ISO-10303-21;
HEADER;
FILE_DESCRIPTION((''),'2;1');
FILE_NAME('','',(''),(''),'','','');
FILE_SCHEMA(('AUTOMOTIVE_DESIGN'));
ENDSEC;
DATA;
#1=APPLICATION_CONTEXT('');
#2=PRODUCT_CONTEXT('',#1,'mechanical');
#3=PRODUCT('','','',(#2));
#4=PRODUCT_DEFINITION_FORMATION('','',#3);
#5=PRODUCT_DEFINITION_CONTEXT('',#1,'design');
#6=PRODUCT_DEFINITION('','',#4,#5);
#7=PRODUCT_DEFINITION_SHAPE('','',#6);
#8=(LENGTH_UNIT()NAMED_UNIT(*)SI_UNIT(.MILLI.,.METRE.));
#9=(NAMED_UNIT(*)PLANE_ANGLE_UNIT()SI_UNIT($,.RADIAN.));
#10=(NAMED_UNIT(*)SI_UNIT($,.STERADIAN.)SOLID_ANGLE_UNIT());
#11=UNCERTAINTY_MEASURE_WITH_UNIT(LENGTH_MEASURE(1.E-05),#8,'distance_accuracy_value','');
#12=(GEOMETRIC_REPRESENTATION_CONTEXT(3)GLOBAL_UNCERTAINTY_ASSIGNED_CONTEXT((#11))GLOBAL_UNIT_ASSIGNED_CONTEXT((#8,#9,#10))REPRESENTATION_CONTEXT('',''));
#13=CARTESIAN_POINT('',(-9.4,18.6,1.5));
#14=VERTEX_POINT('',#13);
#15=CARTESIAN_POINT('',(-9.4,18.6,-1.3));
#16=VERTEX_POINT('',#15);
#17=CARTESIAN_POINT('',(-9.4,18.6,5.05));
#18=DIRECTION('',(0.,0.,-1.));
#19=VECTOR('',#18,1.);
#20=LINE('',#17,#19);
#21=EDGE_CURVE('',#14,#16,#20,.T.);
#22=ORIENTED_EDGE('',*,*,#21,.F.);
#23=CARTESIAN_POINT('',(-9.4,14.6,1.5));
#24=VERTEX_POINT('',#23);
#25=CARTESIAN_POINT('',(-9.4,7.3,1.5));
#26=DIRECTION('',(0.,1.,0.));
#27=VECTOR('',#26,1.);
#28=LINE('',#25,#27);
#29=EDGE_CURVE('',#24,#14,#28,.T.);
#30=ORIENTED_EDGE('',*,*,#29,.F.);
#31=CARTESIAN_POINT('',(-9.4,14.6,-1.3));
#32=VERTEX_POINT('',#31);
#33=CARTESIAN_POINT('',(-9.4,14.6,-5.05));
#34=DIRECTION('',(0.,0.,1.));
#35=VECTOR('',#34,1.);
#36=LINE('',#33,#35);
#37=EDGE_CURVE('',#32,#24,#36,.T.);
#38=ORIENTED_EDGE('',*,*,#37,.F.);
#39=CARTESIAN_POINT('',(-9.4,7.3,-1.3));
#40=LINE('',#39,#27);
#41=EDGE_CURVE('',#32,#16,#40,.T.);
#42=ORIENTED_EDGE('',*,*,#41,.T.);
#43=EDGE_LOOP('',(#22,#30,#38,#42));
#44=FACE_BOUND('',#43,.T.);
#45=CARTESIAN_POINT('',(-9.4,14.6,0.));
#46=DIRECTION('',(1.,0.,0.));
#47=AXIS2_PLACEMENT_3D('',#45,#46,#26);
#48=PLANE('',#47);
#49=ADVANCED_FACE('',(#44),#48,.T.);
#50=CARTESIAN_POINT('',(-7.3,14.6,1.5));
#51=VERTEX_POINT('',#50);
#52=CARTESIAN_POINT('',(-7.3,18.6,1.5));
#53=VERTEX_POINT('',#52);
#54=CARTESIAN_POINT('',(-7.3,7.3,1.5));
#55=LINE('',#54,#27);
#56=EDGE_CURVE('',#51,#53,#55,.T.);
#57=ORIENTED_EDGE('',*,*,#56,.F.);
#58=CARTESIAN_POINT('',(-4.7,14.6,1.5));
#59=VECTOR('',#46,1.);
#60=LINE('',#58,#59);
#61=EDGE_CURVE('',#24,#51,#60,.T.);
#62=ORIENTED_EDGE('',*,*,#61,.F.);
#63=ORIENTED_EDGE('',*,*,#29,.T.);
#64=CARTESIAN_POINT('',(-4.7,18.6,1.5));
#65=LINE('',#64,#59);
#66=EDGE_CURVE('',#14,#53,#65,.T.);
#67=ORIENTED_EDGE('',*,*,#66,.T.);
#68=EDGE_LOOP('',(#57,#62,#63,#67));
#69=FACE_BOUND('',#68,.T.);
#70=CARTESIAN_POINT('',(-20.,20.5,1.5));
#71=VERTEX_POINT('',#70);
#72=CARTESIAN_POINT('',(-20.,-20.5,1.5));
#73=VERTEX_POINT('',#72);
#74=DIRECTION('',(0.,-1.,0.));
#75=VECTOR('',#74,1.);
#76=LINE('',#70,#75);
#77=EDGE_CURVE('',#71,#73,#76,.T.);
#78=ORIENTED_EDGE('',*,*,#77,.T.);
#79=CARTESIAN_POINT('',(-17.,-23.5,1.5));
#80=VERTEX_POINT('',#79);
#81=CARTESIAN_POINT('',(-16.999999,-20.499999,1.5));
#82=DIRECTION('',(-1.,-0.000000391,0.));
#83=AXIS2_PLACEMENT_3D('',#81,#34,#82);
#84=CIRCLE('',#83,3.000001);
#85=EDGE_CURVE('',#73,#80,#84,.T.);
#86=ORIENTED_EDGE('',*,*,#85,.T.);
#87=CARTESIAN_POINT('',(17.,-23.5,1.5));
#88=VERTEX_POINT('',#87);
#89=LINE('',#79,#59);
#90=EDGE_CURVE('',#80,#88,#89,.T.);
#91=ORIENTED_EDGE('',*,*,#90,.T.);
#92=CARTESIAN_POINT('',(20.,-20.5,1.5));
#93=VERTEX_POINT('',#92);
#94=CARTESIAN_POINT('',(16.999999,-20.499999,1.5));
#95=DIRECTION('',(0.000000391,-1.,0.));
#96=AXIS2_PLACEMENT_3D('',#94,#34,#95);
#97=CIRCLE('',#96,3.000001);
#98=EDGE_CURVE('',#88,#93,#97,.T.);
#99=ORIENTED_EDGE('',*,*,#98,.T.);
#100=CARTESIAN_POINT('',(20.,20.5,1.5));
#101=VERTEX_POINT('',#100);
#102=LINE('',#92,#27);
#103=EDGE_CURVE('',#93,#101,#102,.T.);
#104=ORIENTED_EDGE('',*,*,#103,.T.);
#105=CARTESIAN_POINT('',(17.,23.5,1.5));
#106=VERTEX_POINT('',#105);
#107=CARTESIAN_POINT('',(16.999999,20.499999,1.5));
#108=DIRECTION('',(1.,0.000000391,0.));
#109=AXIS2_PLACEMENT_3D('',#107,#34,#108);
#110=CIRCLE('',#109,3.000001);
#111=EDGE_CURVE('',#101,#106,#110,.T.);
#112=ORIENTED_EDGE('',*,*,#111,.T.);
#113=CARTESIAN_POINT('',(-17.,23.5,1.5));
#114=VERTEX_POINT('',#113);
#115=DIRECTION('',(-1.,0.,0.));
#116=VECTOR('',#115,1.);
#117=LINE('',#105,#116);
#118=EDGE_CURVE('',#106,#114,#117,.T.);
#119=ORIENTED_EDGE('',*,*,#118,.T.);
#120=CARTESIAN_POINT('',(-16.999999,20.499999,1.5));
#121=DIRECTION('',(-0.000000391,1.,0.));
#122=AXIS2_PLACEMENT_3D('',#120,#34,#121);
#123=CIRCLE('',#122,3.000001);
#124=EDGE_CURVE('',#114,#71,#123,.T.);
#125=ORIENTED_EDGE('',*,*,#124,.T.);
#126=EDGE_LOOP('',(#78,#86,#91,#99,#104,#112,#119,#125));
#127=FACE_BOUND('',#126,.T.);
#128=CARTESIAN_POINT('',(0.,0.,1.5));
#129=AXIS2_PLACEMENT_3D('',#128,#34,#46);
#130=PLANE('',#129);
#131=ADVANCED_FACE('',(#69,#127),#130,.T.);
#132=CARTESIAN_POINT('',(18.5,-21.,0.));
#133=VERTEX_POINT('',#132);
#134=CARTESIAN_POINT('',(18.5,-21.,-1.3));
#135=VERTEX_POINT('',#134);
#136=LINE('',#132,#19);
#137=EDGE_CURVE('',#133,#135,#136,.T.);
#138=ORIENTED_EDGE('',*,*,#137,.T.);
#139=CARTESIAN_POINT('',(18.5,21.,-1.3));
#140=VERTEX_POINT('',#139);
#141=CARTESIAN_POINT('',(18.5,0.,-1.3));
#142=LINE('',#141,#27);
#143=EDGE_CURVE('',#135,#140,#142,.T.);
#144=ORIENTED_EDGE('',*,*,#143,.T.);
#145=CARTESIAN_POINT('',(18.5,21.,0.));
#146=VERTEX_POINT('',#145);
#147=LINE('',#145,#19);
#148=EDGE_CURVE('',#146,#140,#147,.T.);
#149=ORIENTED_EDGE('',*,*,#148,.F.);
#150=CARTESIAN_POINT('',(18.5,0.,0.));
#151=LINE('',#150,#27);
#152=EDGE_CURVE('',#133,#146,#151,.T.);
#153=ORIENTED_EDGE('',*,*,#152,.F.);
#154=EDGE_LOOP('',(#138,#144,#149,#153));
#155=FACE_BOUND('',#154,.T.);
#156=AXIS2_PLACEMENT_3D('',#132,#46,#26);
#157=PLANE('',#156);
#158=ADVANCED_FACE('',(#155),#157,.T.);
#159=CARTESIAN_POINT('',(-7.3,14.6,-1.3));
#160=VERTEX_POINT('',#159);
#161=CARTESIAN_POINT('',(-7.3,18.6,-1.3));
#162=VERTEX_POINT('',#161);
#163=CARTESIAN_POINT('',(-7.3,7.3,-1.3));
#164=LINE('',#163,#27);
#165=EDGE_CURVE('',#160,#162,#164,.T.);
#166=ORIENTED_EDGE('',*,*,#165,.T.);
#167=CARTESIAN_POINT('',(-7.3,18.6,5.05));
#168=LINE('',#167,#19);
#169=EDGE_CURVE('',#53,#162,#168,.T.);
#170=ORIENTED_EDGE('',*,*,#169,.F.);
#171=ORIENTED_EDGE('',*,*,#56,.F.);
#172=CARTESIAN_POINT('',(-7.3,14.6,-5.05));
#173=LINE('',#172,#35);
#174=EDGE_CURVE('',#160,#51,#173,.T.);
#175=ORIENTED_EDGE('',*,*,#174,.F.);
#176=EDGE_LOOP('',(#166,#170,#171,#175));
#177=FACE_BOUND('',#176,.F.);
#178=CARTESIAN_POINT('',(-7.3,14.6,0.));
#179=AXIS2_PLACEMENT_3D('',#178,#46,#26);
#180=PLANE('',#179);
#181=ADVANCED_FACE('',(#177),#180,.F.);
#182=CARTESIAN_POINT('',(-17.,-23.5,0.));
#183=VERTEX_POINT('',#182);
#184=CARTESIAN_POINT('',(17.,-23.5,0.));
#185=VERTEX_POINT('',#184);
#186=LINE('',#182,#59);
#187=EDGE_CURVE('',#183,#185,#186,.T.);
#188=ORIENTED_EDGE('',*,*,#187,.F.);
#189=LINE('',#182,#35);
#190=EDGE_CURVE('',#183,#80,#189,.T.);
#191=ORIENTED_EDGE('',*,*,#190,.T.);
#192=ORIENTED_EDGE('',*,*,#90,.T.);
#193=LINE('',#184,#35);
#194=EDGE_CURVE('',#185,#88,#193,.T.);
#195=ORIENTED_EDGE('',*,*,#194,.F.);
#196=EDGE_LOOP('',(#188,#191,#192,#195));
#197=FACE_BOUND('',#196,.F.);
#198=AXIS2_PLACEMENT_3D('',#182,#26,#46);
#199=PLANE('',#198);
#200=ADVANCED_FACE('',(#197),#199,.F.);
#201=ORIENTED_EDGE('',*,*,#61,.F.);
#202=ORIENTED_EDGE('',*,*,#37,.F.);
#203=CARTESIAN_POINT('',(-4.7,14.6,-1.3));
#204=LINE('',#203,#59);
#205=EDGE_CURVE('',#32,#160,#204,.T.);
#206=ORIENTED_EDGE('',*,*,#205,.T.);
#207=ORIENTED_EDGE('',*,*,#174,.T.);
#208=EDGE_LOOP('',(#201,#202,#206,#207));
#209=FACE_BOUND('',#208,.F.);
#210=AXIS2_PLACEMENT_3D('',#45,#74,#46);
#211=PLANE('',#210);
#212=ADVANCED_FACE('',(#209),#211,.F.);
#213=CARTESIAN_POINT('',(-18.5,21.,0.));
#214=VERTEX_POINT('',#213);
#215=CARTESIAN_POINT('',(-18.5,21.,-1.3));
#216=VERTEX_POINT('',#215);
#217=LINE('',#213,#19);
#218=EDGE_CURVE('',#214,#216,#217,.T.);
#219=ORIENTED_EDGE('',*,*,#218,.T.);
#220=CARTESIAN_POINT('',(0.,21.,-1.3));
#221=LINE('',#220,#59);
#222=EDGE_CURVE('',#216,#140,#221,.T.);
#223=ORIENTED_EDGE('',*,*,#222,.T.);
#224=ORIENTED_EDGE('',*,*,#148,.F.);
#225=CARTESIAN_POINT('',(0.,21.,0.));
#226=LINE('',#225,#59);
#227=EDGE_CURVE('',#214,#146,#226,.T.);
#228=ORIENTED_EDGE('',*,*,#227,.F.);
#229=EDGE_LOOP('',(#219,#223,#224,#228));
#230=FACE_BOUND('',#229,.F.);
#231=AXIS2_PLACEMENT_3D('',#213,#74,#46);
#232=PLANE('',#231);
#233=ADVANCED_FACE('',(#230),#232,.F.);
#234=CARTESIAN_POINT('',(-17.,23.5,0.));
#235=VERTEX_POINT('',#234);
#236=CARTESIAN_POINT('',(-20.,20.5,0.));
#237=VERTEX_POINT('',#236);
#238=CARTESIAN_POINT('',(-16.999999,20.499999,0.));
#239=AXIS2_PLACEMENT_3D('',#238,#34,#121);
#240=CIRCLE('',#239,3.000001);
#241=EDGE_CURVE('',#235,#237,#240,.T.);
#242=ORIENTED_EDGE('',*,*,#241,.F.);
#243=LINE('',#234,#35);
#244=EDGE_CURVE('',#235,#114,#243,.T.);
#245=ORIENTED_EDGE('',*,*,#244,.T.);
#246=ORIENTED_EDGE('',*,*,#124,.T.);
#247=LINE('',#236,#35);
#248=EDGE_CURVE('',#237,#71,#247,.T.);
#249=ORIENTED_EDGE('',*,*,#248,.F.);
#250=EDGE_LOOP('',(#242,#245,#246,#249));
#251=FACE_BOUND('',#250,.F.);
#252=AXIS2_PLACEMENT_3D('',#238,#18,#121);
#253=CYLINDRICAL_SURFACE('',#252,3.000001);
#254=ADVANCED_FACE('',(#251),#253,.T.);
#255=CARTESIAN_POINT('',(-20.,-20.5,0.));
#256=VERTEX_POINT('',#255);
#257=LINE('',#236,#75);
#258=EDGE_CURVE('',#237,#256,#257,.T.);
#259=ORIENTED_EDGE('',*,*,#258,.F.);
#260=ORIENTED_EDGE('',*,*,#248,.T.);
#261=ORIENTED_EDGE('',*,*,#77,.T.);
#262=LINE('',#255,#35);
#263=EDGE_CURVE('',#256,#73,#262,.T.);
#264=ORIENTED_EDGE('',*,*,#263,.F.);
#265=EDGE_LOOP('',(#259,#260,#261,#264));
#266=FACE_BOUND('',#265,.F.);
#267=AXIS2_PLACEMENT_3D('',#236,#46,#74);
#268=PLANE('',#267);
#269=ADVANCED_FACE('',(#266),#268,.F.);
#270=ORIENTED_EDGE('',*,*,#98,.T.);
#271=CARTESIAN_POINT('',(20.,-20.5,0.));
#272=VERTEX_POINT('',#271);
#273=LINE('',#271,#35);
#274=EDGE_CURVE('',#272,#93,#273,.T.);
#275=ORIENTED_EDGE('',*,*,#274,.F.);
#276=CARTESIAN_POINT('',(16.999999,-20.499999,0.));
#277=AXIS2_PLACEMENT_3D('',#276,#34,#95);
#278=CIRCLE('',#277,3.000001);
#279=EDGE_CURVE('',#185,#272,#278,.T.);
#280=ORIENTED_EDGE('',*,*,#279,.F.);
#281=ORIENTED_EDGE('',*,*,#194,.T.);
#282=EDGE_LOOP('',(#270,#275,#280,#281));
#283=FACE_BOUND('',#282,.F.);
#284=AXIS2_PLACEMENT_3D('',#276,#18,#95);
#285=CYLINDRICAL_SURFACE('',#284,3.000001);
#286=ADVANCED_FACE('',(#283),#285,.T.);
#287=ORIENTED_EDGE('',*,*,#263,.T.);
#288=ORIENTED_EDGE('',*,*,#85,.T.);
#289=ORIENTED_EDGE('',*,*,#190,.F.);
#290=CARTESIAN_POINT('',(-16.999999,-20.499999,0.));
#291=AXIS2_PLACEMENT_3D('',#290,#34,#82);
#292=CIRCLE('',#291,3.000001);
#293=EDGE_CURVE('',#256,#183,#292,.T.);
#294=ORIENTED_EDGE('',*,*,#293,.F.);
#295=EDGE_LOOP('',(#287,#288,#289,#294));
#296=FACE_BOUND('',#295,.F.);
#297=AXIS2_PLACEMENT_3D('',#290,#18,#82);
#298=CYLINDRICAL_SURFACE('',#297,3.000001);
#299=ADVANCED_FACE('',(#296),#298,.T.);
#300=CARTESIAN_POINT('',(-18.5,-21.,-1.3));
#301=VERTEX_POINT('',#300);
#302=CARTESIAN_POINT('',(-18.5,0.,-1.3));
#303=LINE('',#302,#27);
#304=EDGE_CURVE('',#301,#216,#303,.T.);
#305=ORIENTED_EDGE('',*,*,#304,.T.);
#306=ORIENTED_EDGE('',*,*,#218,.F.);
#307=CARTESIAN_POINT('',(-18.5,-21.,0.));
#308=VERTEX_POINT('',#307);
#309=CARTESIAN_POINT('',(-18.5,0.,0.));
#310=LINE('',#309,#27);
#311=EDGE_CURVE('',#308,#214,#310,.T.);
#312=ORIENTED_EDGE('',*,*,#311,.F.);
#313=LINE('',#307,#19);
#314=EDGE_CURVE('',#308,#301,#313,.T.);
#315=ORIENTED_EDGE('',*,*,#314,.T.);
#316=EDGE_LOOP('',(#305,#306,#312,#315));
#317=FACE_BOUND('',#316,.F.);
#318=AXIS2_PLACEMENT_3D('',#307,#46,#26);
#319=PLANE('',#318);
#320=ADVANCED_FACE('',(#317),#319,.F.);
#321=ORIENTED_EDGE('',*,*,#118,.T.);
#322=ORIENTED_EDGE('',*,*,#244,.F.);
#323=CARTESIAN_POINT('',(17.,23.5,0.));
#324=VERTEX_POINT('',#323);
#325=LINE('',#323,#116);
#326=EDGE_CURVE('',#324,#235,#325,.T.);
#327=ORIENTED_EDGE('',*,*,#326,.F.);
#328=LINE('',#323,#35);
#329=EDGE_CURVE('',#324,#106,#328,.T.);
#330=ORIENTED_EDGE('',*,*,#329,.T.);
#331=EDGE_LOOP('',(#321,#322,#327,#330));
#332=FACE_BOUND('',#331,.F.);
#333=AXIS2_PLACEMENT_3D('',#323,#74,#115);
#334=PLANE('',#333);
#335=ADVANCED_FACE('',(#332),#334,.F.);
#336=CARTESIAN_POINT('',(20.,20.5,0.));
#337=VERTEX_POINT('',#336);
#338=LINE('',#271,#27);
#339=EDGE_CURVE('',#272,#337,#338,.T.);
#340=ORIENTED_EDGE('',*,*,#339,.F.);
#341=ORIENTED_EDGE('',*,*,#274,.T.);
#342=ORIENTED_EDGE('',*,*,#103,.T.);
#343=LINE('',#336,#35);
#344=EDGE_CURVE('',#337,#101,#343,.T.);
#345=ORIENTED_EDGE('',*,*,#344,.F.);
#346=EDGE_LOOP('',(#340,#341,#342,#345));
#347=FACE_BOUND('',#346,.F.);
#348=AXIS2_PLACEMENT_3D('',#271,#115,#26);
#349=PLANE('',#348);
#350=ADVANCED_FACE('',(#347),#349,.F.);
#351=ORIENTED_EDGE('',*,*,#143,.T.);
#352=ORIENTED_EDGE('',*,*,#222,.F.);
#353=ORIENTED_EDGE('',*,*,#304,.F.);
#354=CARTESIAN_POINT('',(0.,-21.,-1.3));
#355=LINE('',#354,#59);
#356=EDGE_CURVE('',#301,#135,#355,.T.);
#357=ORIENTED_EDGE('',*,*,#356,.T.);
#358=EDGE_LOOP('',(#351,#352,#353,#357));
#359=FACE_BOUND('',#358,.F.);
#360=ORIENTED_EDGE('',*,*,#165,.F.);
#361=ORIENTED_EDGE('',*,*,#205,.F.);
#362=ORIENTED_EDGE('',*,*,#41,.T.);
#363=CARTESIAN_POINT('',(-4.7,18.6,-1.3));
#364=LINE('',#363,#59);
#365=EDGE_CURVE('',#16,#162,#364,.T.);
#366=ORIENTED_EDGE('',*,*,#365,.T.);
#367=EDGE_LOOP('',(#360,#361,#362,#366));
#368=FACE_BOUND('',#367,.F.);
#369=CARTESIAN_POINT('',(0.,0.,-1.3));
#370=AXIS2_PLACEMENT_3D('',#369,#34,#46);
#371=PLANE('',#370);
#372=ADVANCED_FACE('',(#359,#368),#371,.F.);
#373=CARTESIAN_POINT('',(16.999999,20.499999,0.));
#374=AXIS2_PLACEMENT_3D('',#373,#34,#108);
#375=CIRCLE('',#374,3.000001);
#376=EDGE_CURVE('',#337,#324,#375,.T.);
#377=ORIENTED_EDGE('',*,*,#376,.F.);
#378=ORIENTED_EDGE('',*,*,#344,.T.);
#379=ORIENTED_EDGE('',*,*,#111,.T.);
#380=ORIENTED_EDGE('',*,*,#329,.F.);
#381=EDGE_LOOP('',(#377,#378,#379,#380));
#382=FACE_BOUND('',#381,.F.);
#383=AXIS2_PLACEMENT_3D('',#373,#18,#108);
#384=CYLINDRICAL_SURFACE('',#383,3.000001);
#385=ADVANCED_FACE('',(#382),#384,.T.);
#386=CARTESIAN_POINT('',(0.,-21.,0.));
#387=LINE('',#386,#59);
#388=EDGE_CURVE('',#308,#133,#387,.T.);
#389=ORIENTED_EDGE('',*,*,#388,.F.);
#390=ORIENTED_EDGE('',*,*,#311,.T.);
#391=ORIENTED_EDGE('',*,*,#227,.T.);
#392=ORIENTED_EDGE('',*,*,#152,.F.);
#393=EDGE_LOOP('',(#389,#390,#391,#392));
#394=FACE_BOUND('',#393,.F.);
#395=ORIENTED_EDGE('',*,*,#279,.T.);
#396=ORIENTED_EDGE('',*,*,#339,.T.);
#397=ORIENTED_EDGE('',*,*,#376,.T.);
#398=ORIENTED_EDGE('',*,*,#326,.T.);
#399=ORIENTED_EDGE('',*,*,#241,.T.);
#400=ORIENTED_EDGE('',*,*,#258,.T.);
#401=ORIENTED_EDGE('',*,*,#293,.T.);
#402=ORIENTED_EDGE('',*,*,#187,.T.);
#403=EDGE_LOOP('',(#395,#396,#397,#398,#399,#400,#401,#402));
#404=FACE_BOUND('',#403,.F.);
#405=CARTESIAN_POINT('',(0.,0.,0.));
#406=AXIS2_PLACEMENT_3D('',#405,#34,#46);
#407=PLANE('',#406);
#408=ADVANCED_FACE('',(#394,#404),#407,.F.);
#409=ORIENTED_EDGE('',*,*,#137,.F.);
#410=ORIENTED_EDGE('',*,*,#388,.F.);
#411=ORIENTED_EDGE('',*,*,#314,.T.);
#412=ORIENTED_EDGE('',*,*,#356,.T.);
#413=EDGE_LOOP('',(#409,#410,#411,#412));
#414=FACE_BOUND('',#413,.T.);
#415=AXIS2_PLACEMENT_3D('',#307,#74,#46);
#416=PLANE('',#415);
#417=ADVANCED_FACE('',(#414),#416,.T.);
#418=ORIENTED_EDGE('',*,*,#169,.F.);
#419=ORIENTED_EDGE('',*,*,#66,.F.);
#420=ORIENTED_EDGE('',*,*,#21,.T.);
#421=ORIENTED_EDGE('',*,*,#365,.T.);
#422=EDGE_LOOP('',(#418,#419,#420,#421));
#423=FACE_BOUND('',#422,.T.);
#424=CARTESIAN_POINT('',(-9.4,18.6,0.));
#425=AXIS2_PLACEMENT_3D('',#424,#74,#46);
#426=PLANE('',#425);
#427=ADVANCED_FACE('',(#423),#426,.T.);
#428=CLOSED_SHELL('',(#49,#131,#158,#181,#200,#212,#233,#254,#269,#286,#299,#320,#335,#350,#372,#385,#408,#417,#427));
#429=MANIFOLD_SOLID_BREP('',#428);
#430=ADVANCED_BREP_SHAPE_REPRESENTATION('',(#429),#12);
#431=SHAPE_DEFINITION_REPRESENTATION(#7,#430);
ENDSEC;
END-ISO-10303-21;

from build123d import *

# Parameters (mm, degrees)
F1_DEPTH = 1.5
F2_W     = 37
F2_H     = 42
F3_DEPTH = 1.3
F4_W     = 2.1
F4_H     = 4
F5_DEPTH = 5.05


with BuildPart() as f1:
    # F0 (on Top) → F1 (new body)
    with BuildSketch(Plane.XY):
        with BuildLine():
            Line((17, 23.5), (-17, 23.5))
            ThreePointArc((-17, 23.5), (-19.12132, 22.62132), (-20, 20.5))
            Line((-20, 20.5), (-20, -20.5))
            ThreePointArc((-20, -20.5), (-19.12132, -22.62132), (-17, -23.5))
            Line((-17, -23.5), (17, -23.5))
            ThreePointArc((17, -23.5), (19.12132, -22.62132), (20, -20.5))
            Line((20, -20.5), (20, 20.5))
            ThreePointArc((20, 20.5), (19.12132, 22.62132), (17, 23.5))
        make_face()
    extrude(amount=F1_DEPTH)

    # F2 (on Top) → F3 (join)
    with BuildSketch(Plane.XY):
        Rectangle(F2_W, F2_H)
    extrude(amount=-F3_DEPTH)

    # F4 (on Top) → F5 (cut, symmetric)
    with BuildSketch(Plane.XY):
        with Locations((-8.35, 16.6)):
            Rectangle(F4_W, F4_H)
    extrude(amount=F5_DEPTH, both=True, mode=Mode.SUBTRACT)


solid = f1.part
